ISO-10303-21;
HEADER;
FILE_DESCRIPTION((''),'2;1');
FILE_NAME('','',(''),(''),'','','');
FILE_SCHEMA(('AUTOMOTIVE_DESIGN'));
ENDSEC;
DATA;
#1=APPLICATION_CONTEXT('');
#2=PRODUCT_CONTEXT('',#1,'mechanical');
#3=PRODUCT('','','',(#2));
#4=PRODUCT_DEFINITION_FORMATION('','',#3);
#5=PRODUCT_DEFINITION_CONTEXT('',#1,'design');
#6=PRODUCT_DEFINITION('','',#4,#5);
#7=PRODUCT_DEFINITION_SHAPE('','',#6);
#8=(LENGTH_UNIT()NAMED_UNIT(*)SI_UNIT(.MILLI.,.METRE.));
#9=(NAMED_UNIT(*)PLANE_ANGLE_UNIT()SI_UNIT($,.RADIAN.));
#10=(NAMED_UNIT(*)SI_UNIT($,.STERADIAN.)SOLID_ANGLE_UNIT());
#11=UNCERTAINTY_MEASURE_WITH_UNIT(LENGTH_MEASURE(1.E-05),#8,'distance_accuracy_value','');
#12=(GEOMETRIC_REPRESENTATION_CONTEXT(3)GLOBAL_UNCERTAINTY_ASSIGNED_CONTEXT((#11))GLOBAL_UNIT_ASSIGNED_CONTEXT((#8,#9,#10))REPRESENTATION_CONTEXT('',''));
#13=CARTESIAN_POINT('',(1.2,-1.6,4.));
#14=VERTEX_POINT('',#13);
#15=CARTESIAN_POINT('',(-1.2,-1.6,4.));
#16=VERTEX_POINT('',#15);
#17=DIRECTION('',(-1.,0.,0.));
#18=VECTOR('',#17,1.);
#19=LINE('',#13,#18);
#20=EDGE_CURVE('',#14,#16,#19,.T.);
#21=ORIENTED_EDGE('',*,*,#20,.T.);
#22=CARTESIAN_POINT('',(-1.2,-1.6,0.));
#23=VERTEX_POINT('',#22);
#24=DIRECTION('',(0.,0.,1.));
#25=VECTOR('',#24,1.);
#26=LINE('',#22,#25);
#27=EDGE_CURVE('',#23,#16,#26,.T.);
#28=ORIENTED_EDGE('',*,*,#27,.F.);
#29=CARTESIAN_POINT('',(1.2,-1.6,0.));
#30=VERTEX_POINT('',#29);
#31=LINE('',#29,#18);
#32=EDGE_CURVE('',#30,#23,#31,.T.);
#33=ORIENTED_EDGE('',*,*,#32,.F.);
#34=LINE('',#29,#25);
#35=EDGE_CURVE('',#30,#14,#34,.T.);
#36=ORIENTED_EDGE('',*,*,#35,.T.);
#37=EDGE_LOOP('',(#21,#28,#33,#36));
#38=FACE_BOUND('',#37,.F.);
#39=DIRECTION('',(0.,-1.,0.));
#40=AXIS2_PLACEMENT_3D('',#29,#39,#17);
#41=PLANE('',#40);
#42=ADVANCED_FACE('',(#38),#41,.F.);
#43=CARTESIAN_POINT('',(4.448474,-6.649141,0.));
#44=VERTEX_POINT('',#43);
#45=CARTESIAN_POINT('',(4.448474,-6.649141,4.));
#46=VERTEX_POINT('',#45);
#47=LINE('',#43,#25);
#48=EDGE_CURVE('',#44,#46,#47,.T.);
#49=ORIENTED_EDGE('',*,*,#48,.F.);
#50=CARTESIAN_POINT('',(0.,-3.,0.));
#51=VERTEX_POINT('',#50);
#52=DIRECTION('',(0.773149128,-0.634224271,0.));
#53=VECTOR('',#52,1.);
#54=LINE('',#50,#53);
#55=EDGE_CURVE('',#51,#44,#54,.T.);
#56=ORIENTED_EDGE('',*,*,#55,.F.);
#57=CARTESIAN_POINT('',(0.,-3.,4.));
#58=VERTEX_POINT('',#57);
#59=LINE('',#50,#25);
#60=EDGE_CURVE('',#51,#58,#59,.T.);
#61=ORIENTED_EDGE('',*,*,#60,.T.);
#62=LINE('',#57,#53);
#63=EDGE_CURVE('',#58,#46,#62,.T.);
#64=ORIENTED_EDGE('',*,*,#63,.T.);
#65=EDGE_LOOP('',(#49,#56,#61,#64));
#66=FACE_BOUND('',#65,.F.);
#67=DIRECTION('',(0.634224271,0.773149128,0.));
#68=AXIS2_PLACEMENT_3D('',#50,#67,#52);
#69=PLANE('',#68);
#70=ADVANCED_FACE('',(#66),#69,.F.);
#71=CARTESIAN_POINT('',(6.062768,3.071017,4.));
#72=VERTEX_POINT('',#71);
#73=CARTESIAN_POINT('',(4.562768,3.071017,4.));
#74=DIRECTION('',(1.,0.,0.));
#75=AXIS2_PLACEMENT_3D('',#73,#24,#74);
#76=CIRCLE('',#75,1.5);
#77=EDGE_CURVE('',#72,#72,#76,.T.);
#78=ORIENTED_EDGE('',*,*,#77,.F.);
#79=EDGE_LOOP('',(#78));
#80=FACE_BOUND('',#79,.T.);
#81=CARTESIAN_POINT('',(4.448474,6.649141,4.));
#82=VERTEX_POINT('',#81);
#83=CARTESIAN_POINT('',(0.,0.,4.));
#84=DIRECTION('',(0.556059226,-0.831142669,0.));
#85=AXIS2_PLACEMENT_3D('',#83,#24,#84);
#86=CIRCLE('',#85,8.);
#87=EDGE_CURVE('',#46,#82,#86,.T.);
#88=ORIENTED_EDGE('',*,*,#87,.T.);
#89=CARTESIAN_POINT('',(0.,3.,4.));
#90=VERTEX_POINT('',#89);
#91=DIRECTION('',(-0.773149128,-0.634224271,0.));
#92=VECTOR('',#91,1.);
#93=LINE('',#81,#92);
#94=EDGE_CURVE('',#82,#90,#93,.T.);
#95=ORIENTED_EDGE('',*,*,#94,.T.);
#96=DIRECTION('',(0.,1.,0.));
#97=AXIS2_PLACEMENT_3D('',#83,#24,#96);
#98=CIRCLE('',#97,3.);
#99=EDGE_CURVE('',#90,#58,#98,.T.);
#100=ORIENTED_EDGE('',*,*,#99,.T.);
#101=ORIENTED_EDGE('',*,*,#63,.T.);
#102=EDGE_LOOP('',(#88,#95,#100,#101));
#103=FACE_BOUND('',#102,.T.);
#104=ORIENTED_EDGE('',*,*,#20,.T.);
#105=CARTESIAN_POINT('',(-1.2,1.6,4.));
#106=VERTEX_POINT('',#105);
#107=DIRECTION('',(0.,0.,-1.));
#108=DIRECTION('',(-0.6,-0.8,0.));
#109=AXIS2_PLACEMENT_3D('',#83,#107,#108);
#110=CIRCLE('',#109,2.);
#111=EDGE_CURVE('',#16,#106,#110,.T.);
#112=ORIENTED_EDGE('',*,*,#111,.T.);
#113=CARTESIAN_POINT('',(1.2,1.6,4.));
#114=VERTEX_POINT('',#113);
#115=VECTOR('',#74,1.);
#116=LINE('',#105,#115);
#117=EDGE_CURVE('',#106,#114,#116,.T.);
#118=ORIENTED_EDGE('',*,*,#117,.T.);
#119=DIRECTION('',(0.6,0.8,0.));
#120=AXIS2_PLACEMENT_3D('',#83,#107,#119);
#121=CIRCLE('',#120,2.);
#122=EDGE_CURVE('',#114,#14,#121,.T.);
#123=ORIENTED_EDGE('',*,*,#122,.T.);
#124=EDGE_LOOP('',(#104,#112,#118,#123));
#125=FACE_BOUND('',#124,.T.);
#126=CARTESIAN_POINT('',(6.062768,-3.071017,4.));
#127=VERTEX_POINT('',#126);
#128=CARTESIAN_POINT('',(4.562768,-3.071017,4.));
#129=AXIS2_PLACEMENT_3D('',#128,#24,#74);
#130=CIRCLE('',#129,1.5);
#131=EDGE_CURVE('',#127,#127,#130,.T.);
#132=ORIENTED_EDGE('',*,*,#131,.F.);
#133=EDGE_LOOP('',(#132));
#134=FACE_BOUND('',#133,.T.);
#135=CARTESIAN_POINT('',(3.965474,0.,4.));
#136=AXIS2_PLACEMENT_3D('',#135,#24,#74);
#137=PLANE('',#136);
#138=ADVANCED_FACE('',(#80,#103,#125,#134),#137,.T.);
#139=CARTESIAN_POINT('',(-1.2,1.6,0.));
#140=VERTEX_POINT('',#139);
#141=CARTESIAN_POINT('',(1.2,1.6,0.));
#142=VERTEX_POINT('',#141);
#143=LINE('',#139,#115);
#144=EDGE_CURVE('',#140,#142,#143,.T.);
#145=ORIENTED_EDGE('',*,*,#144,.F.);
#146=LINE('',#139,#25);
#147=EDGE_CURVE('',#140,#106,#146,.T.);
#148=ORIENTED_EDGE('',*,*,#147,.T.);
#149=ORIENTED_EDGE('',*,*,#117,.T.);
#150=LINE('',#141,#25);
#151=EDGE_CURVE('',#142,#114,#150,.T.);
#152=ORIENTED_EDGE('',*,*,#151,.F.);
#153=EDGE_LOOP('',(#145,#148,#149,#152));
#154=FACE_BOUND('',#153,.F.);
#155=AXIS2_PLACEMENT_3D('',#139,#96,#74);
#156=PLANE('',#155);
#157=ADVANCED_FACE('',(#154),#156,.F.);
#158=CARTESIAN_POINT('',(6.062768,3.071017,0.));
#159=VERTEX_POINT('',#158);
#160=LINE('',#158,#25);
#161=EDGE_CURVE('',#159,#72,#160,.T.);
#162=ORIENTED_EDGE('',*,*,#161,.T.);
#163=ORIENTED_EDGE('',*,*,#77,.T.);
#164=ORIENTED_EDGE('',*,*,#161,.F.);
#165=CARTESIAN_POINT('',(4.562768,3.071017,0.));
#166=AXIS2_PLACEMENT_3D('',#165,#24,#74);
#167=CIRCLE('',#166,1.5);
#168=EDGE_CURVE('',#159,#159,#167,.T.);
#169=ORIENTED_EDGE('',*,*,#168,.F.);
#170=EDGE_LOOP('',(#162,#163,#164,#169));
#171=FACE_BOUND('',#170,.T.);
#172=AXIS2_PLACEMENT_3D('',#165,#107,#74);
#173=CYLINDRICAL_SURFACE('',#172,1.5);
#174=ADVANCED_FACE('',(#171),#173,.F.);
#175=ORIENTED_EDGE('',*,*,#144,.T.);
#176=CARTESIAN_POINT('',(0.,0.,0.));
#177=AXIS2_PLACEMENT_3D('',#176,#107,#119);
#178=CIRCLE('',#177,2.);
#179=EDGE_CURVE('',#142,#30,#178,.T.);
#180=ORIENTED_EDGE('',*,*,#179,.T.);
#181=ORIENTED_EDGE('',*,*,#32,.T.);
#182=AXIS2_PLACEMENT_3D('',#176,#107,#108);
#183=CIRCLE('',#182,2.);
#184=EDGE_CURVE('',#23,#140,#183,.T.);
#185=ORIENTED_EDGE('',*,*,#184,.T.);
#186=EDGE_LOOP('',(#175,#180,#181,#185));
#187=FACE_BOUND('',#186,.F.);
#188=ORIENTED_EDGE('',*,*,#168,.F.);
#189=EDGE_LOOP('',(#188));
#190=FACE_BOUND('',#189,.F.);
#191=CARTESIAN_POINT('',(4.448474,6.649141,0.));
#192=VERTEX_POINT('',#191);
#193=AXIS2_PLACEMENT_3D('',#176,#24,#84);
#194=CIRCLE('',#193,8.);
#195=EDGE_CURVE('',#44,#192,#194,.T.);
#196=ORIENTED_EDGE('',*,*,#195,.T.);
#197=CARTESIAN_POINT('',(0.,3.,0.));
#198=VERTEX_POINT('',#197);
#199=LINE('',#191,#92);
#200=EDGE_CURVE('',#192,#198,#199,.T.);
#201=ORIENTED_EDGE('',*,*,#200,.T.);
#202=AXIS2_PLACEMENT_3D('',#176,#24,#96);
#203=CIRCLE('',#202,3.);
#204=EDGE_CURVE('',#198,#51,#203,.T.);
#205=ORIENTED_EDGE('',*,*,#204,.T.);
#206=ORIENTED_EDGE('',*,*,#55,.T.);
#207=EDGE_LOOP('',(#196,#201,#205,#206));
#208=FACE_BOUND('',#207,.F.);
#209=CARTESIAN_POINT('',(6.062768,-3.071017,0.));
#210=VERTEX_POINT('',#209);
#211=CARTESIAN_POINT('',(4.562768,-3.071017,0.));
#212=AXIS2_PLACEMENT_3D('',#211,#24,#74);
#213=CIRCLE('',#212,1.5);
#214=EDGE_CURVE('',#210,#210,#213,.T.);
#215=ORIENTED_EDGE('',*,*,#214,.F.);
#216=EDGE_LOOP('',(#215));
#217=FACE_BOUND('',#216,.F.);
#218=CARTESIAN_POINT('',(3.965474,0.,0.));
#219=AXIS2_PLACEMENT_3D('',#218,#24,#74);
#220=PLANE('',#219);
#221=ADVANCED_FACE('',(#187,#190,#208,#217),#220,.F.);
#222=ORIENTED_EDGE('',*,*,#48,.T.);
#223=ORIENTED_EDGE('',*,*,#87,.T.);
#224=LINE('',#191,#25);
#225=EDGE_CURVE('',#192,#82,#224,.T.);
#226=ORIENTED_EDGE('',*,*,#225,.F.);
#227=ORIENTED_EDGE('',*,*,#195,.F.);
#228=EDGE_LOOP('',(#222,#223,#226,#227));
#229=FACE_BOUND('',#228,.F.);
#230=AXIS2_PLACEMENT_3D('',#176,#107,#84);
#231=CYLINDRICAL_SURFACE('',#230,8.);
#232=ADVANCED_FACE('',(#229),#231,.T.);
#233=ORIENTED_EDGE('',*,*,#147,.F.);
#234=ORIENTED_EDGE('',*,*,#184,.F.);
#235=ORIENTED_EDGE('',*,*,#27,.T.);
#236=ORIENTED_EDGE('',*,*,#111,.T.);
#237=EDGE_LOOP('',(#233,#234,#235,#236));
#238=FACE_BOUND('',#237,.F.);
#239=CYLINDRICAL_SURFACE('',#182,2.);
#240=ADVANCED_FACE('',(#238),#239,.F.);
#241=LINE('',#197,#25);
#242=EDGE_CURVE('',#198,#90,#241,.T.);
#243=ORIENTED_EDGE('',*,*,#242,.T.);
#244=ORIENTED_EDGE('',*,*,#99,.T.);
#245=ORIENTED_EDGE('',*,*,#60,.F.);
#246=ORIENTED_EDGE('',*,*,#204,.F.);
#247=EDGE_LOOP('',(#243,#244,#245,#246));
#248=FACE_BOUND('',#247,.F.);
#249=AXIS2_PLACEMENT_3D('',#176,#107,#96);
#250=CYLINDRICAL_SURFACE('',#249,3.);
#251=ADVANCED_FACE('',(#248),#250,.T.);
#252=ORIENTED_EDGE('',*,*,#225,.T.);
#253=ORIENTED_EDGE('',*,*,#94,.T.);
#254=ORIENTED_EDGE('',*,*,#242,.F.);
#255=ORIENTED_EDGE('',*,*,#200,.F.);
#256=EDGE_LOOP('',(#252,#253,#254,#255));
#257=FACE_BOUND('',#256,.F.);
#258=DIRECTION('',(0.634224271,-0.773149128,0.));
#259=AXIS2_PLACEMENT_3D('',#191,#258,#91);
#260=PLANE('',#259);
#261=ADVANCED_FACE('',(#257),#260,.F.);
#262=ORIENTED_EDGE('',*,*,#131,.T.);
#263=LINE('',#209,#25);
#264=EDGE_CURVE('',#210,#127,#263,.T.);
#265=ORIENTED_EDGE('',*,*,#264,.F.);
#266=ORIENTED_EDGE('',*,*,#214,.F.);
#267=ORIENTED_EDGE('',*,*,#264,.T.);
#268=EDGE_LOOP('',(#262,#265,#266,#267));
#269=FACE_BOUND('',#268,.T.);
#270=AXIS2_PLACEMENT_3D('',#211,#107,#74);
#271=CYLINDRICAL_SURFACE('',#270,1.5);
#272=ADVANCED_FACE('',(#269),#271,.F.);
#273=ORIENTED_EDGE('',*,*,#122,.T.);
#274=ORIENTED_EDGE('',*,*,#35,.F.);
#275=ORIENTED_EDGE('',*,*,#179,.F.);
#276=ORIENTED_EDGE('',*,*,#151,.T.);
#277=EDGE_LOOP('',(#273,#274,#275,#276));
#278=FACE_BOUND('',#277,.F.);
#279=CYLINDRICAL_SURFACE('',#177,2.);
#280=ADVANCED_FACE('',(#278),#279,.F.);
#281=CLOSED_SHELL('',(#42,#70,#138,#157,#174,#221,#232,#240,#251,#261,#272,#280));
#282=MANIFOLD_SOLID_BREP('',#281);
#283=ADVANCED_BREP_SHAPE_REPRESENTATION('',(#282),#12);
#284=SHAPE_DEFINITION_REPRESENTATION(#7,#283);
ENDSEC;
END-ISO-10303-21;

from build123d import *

# Parameters (mm, degrees)
F0_R     = 1.5
F1_DEPTH = 4


with BuildPart() as f1:
    # F0 (on Top) → F1 (new body)
    with BuildSketch(Plane.XY):
        with BuildLine():
            ThreePointArc((0, 3), (2.12132, 2.12132), (3, 0))
            ThreePointArc((3, 0), (2.12132, -2.12132), (0, -3))
            Line((0, -3), (4.448474, -6.649141))
            ThreePointArc((4.448474, -6.649141), (8, 0), (4.448474, 6.649141))
            Line((4.448474, 6.649141), (0, 3))
        make_face()
        with Locations((4.562768, -3.071017)):
            Circle(F0_R, mode=Mode.SUBTRACT)
        with Locations((4.562768, 3.071017)):
            Circle(F0_R, mode=Mode.SUBTRACT)
        with BuildLine():
            ThreePointArc((0, -3), (2.12132, -2.12132), (3, 0))
            ThreePointArc((3, 0), (2.12132, 2.12132), (0, 3))
            ThreePointArc((0, 3), (-3, 0), (0, -3))
        make_face()
        with BuildLine():
            ThreePointArc((1.2, 1.6), (2, 0), (1.2, -1.6))
            Line((1.2, -1.6), (-1.2, -1.6))
            ThreePointArc((-1.2, -1.6), (-2, 0), (-1.2, 1.6))
            Line((-1.2, 1.6), (1.2, 1.6))
        make_face(mode=Mode.SUBTRACT)
    extrude(amount=F1_DEPTH)


solid = f1.part
